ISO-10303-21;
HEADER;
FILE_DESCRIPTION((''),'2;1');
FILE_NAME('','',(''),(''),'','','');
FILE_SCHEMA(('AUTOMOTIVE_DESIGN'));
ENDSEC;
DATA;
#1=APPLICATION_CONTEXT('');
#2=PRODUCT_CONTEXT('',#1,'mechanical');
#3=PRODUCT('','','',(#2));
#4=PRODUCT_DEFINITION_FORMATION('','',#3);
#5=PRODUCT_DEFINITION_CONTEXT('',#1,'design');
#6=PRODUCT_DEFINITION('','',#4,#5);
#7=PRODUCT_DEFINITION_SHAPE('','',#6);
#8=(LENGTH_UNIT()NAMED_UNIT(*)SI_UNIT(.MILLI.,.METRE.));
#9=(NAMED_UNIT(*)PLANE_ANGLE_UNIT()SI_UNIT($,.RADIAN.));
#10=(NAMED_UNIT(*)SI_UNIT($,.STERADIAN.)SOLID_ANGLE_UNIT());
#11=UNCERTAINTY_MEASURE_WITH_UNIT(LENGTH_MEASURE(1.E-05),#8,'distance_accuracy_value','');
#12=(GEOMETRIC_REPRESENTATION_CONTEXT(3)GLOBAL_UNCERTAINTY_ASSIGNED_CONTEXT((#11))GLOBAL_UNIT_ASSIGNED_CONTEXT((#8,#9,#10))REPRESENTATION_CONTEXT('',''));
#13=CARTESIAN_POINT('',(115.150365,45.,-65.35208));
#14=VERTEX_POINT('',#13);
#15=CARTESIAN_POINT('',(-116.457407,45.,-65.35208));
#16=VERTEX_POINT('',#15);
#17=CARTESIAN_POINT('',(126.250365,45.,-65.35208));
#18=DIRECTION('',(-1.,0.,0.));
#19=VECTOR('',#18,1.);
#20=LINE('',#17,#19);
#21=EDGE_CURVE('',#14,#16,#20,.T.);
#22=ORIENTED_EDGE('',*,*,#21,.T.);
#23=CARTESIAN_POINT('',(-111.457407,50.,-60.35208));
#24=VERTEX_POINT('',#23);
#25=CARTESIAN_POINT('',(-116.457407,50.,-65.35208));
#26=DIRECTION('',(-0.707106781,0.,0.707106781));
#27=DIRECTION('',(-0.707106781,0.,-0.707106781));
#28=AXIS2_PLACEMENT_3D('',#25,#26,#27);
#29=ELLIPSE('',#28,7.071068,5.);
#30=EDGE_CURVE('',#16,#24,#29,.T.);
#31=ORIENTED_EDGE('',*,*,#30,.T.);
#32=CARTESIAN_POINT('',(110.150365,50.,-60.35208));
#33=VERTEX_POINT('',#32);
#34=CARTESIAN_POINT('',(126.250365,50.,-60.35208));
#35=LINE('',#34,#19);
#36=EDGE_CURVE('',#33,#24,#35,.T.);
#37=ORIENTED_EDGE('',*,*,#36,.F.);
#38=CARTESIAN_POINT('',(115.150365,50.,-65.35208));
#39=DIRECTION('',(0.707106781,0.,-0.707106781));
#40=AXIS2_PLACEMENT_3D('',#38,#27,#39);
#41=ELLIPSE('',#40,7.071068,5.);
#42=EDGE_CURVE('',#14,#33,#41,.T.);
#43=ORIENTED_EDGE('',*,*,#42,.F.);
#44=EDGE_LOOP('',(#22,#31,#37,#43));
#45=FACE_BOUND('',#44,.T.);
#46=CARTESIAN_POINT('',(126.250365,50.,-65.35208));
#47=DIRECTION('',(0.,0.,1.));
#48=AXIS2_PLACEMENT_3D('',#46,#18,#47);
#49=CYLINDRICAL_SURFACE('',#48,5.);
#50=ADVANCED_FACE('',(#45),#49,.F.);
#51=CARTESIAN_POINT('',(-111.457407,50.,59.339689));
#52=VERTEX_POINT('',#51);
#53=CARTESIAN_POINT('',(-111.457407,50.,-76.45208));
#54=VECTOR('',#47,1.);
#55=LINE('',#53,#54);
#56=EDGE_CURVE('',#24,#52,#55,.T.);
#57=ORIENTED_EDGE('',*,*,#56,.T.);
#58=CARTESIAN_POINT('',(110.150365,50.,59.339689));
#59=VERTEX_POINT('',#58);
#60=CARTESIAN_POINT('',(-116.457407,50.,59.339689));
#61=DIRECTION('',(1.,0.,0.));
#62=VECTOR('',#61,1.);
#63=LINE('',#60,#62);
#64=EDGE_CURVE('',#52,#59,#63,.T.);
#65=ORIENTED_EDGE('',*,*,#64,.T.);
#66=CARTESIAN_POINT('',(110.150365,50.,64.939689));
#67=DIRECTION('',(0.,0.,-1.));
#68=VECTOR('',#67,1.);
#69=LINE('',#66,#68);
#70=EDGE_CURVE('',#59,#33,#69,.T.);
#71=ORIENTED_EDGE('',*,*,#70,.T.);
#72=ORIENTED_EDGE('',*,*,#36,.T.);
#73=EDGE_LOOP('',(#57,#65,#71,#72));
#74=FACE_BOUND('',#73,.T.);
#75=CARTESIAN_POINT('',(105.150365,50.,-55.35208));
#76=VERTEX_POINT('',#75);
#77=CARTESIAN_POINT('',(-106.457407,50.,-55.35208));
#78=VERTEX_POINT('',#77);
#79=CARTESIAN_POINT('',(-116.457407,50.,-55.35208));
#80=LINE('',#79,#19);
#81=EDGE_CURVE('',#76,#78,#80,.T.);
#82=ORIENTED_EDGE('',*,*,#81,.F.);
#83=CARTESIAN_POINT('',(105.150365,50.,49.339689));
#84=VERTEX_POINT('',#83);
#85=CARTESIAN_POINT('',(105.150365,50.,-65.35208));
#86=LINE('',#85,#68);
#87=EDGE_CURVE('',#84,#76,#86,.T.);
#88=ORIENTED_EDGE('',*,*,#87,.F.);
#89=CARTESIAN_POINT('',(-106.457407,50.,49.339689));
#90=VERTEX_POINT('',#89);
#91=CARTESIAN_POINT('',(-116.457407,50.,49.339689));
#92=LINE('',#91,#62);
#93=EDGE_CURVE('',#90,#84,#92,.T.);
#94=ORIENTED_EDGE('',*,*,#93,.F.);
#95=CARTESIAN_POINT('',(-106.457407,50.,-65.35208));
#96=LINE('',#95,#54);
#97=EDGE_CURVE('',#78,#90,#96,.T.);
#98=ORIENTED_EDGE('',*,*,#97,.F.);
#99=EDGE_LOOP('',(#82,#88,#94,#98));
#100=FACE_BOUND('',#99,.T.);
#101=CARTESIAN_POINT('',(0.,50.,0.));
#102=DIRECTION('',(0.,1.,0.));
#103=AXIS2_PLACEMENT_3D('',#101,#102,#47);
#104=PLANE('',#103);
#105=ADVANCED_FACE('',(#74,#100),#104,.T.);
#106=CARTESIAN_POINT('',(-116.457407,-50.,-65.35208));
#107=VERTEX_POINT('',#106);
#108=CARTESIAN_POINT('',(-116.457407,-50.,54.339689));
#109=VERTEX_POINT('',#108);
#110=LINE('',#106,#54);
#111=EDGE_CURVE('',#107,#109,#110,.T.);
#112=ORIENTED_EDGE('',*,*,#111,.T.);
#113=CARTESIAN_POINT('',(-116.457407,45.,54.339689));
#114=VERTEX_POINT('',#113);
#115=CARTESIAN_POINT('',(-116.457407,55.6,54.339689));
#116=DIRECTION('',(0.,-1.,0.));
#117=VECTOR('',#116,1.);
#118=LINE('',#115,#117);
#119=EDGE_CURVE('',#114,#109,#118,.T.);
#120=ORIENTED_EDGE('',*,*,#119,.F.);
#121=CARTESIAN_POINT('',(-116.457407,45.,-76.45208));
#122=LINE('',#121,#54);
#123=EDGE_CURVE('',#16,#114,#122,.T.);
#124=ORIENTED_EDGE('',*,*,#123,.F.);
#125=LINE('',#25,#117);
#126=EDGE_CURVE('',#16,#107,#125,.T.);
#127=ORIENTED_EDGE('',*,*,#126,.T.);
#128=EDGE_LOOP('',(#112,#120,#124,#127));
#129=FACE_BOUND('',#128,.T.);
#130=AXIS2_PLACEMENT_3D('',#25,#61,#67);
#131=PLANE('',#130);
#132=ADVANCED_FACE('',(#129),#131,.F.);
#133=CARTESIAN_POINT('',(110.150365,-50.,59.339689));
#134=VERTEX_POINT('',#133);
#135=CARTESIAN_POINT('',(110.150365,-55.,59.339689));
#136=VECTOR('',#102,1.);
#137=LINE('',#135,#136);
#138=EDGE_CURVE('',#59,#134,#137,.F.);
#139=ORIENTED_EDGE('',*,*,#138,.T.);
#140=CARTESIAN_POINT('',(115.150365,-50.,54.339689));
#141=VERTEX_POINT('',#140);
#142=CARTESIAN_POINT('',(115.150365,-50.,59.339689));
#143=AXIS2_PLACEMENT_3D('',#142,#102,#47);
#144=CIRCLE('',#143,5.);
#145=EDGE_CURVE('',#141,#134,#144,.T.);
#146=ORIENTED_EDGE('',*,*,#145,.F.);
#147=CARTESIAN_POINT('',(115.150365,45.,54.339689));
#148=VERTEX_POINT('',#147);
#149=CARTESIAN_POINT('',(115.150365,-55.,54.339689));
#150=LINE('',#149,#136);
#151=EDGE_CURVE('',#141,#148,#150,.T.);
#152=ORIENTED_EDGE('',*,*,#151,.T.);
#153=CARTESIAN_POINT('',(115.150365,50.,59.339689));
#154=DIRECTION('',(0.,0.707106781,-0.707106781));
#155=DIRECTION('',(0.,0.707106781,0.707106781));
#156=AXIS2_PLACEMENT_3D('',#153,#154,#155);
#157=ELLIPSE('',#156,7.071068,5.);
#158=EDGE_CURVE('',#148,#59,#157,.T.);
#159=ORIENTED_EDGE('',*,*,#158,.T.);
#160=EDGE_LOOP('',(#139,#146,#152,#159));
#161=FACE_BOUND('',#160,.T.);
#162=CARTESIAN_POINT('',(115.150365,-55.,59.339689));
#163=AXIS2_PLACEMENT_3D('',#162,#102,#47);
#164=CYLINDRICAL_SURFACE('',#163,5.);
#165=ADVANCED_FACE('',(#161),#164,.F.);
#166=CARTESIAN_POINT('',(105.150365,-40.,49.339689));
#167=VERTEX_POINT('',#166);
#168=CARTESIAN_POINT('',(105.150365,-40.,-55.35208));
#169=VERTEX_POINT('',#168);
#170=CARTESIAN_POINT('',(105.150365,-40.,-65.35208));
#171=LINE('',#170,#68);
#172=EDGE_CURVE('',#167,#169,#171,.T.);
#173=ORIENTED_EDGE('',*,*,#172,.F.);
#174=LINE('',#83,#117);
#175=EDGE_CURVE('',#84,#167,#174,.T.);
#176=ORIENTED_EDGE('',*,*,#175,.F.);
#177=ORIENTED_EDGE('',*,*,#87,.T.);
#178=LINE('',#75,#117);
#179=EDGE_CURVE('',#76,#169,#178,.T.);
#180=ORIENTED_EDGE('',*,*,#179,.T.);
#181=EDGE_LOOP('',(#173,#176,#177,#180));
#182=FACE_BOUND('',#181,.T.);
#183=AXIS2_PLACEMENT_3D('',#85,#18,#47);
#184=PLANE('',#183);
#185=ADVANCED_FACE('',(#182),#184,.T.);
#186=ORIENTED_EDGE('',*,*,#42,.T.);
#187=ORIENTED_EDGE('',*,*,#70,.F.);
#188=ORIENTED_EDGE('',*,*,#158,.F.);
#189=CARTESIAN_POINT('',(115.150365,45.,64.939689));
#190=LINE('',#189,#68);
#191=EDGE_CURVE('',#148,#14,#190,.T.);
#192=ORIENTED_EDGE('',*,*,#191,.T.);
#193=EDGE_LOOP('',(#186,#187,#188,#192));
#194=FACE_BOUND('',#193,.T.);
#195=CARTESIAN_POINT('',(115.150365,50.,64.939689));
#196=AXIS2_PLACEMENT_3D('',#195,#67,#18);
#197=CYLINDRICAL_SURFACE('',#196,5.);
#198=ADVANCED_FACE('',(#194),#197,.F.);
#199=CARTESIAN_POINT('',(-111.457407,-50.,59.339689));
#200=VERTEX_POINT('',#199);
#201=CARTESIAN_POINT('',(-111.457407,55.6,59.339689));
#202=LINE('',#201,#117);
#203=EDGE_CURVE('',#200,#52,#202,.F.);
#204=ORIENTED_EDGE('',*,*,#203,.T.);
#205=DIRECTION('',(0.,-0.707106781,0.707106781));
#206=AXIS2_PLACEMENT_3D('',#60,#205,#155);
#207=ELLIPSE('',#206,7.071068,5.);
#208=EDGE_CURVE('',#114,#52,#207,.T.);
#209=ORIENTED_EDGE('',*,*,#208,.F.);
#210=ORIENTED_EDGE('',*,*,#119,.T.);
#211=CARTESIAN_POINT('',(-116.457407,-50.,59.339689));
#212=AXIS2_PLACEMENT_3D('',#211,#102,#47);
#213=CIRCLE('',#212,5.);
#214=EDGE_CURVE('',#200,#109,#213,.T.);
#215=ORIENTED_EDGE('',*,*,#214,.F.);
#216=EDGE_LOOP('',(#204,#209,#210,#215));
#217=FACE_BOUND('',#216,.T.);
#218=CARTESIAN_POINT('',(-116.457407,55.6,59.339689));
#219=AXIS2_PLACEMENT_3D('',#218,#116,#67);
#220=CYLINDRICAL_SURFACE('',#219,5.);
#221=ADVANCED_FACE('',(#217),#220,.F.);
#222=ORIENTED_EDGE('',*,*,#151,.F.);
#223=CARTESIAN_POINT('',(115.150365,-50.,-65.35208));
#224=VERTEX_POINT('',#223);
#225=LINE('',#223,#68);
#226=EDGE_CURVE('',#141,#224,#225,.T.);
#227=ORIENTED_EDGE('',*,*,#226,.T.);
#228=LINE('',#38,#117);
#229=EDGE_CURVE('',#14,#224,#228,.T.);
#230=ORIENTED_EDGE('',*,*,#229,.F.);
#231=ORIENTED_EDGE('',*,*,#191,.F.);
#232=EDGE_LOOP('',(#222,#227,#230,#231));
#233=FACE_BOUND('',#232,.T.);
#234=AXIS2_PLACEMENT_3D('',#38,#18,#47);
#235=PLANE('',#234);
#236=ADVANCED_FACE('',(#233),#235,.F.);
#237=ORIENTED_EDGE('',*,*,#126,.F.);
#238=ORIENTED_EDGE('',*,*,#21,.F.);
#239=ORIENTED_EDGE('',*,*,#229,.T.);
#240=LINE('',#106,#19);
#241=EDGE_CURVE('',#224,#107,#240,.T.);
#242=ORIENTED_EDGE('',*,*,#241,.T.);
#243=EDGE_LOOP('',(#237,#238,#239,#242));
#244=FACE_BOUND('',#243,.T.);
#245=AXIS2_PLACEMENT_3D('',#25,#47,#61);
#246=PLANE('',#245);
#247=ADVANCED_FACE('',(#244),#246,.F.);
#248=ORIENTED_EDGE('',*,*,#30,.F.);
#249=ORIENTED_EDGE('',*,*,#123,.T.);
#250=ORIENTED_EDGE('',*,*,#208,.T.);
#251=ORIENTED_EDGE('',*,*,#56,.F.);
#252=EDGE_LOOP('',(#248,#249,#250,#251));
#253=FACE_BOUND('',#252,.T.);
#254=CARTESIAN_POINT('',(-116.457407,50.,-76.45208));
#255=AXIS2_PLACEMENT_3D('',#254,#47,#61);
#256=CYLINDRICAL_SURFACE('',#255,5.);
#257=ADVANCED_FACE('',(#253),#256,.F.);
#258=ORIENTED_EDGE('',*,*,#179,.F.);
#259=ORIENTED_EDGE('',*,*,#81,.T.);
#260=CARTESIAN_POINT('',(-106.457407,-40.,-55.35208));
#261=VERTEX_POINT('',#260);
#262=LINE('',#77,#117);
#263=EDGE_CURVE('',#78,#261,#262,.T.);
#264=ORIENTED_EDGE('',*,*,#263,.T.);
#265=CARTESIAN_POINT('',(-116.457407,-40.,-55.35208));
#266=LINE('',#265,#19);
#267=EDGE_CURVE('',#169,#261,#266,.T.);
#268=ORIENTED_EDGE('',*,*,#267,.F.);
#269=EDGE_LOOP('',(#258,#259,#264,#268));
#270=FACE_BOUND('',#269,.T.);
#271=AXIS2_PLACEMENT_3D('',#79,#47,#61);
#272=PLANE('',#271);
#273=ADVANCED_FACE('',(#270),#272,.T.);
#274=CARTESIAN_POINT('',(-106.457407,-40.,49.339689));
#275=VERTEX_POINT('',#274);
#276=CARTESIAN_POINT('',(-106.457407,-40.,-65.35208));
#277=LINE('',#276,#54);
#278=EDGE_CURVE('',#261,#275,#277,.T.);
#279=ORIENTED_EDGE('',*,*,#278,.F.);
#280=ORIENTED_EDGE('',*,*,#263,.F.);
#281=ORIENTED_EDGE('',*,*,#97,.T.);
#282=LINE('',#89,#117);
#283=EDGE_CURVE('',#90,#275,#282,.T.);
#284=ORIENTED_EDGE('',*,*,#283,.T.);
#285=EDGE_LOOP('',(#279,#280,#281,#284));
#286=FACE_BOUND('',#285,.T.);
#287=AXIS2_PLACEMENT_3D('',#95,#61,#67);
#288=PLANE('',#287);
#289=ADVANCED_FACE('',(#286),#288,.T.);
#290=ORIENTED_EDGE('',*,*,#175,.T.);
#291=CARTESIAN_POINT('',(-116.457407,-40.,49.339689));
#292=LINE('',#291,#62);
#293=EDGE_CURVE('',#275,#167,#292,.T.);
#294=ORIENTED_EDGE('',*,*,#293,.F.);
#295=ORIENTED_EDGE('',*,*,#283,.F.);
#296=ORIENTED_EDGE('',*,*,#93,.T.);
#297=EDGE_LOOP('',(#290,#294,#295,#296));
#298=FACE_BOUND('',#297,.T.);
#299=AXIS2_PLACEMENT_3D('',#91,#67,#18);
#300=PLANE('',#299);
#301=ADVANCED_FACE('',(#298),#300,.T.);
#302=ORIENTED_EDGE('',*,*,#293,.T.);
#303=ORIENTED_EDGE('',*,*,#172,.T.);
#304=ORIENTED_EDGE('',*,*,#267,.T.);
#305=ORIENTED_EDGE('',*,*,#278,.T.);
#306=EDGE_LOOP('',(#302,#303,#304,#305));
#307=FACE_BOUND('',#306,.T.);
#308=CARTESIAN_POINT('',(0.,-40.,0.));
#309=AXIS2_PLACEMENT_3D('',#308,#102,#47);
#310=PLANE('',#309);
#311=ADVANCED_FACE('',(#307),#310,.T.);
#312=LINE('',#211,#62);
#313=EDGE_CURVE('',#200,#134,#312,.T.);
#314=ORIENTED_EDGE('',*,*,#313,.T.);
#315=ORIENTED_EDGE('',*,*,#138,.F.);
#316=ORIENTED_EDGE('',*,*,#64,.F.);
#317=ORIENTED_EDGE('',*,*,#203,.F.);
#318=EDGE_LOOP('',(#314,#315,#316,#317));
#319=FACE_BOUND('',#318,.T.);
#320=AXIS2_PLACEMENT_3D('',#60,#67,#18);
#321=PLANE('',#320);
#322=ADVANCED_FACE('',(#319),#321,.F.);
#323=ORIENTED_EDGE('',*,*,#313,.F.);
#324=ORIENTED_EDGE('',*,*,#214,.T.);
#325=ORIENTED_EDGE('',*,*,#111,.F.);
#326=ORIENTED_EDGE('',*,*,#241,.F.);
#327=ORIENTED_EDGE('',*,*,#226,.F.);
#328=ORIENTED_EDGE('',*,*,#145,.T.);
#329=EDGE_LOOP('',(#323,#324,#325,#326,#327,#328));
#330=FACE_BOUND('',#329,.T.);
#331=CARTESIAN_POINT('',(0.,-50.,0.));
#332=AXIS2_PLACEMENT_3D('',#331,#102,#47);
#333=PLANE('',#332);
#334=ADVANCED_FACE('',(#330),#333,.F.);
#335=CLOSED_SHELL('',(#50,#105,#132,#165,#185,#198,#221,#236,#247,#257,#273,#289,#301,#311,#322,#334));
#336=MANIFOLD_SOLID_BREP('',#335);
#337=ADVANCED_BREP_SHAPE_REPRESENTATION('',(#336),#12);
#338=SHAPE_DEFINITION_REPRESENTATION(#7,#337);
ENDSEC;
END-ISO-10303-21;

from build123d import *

# Parameters (mm, degrees)
SKETCH_1_W        = 231.607772504
SKETCH_1_H        = 124.691769169
EXTRUDE_1_DEPTH   = 50
SHELL_1_T         = -10
SWEEP_1_PROFILE_R = 5


with BuildPart() as part:
    # 草图1 → 凸台-拉伸1 (new, symmetric)
    with BuildSketch(Plane(origin=(0, 0, 0), x_dir=(1, 0, 0), z_dir=(0, 1, 0))):
        with Locations((-0.653520803, 3.006195692)):
            Rectangle(SKETCH_1_W, SKETCH_1_H)
    extrude(amount=EXTRUDE_1_DEPTH, both=True)

    # 抽壳1
    shell_1_openings = [part.faces().sort_by_distance(p)[0] for p in [
        (-0.653520803, 50, -3.006195693),
    ]]
    offset(amount=SHELL_1_T, openings=shell_1_openings, kind=Kind.INTERSECTION)

    # 切除-扫描1: sweep along a curve in space
    with BuildLine() as sweep_1_path:
        Line((115.150365449, -50, 59.339688892), (115.150365449, 50, 59.339688892))
        Line((115.150365449, 50, 59.339688892), (115.150365449, 50, -65.352080277))
        Line((115.150365449, 50, -65.352080277), (-116.457407055, 50, -65.352080277))
        Line((-116.457407055, 50, -65.352080277), (-116.457407055, 50, 59.339688892))
        Line((-116.457407055, 50, 59.339688892), (-116.457407055, -50, 59.339688892))
    # 切除-扫描1 profile (on start of the path) → 切除-扫描1 (sweep, cut)
    with BuildSketch(Plane(origin=(115.150365449, -50, 59.339688892), x_dir=(0, 0, 1), z_dir=(0, 1, 0))):
        Circle(SWEEP_1_PROFILE_R)
    sweep(path=sweep_1_path.line, transition=Transition.RIGHT, mode=Mode.SUBTRACT)


solid = part.part
